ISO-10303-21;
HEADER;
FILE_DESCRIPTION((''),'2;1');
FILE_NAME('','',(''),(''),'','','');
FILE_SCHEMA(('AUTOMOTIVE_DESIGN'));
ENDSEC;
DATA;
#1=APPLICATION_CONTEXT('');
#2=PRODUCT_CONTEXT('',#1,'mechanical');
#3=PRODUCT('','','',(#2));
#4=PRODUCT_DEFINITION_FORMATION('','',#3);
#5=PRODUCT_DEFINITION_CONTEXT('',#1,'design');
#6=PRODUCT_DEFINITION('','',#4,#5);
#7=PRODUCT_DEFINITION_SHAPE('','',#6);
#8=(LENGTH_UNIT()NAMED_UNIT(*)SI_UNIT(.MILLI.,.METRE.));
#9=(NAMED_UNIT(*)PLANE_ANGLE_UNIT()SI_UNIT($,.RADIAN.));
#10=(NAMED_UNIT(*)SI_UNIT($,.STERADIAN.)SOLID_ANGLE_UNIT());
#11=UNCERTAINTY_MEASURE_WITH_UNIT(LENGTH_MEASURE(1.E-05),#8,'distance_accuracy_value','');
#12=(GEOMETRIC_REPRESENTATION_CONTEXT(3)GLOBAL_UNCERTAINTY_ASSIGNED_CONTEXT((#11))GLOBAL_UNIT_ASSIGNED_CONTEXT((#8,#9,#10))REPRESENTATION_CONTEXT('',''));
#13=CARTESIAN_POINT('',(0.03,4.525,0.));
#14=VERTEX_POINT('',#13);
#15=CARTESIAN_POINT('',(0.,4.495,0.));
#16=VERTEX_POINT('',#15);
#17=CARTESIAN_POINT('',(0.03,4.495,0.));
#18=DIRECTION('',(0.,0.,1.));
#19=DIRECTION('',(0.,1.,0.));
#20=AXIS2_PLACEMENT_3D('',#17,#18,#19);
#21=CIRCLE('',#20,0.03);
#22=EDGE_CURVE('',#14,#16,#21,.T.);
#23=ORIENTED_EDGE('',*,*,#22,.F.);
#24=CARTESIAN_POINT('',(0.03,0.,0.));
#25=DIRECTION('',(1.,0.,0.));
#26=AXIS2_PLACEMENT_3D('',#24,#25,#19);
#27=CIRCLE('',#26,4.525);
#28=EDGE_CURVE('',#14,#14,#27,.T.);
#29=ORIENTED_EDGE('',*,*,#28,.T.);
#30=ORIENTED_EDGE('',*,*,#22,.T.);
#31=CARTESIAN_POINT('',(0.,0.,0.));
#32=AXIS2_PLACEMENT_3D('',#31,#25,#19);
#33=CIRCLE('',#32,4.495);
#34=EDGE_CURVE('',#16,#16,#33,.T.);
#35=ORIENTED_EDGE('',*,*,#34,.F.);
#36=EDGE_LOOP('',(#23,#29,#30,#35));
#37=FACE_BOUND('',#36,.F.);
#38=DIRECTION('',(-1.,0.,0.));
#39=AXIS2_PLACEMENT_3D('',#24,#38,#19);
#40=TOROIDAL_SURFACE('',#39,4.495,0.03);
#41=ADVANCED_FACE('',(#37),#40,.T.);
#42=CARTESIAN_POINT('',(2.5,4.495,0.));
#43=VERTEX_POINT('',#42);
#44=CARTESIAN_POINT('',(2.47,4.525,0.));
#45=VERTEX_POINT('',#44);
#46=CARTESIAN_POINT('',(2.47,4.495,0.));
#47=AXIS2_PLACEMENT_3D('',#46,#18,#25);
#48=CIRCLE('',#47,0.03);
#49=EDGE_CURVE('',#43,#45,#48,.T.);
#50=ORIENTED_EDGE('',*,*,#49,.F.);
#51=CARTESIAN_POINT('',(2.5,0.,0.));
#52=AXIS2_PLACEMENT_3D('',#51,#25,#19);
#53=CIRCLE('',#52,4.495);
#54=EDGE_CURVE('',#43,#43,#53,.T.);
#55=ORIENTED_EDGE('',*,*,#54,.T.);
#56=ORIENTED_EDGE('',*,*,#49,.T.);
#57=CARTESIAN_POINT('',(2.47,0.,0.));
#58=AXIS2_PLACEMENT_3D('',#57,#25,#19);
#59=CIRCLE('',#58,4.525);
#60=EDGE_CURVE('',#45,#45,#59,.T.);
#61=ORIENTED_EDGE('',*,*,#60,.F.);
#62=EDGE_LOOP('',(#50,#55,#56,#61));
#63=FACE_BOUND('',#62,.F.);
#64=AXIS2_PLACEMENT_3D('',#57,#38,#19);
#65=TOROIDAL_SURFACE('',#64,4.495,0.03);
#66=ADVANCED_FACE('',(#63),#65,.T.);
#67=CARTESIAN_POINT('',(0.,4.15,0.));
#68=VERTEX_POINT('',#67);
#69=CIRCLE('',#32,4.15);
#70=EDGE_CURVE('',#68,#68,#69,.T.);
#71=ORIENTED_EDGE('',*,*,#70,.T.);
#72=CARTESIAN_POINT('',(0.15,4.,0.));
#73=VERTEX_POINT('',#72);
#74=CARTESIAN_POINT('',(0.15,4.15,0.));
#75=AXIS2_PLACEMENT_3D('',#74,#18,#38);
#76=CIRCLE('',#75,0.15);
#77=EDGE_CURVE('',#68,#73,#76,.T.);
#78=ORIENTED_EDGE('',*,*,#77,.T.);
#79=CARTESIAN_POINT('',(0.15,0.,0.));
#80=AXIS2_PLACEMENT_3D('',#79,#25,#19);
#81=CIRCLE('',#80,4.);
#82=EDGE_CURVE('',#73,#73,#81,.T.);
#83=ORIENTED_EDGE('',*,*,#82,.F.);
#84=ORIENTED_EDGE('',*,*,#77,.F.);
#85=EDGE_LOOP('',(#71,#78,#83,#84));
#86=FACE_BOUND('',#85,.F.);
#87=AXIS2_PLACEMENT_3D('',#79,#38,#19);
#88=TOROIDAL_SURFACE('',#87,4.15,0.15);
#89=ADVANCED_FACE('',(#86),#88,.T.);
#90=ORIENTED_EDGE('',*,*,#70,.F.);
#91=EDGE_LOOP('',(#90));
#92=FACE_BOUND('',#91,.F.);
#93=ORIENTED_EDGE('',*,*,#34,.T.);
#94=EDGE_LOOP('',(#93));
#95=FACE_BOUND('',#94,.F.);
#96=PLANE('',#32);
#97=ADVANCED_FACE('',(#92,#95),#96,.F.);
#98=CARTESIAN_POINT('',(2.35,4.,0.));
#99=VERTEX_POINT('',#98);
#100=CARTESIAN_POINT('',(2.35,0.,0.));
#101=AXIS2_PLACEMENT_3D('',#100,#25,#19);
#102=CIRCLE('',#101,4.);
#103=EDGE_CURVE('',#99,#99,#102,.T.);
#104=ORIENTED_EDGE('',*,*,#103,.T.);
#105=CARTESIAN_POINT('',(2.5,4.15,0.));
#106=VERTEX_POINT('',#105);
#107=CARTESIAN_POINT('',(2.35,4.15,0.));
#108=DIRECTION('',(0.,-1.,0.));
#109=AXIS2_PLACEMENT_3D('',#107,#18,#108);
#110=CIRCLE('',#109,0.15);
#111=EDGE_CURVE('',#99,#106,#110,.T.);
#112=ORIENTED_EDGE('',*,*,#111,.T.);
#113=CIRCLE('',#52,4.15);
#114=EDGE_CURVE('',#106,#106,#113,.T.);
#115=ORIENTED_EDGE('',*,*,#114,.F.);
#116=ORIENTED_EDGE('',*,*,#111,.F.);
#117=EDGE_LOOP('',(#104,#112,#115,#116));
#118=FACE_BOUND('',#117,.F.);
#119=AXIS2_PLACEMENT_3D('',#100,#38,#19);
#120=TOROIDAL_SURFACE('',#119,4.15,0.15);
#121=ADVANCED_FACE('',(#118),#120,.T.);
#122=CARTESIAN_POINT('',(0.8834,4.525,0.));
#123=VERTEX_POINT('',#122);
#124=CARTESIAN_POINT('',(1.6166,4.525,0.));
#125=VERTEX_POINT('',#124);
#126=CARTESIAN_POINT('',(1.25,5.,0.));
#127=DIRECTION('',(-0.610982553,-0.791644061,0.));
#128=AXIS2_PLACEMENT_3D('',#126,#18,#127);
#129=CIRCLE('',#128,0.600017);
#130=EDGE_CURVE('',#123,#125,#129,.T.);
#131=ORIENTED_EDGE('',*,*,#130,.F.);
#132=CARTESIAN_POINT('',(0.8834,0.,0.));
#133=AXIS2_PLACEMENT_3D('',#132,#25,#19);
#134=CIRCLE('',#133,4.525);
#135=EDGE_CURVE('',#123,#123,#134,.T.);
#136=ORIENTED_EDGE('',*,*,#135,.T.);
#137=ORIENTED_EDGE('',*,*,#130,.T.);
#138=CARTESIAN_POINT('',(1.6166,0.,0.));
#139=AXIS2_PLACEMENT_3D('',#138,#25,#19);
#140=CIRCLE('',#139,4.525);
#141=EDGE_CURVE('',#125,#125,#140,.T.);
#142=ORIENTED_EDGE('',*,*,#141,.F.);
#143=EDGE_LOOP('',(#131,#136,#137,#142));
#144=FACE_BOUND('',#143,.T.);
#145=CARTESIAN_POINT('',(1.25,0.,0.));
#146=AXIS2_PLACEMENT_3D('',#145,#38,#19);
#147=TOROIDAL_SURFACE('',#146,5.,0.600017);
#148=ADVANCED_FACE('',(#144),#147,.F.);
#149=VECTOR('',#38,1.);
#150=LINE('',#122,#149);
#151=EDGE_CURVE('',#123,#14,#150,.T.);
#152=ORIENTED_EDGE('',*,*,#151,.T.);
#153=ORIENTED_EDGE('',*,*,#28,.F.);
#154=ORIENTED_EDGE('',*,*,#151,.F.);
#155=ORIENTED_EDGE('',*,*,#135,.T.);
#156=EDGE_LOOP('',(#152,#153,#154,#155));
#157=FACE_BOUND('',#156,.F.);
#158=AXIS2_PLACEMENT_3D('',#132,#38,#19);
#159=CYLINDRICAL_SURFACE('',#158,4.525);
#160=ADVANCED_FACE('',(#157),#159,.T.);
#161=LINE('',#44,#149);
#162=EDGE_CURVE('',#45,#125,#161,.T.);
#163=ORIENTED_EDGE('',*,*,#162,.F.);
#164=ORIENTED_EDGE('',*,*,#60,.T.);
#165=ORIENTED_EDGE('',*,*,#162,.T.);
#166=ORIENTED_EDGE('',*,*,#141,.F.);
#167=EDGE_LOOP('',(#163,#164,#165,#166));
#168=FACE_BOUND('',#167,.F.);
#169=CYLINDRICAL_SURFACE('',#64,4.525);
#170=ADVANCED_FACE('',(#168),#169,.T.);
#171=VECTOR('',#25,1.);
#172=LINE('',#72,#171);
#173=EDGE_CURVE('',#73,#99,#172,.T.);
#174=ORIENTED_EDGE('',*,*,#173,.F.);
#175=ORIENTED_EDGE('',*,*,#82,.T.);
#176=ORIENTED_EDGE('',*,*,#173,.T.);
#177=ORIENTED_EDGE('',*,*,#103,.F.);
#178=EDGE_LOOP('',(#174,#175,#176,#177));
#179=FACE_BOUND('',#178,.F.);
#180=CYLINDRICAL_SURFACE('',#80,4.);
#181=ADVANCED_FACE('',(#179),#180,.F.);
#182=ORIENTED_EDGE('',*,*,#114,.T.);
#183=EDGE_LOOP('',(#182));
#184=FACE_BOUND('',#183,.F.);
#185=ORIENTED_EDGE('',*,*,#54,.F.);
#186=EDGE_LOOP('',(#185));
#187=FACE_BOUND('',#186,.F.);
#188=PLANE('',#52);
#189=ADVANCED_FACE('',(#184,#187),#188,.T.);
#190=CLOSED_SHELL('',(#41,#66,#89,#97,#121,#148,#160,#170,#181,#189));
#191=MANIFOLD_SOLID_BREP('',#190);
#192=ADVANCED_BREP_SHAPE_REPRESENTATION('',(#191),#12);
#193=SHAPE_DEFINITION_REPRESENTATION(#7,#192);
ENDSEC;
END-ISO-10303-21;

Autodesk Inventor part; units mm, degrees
ref_plane "YZ Plane" through (0, 0, 0) normal (1, 0, 0) x (0, 1, 0)
ref_plane "XZ Plane" through (0, 0, 0) normal (0, 1, 0) x (-1, 0, 0)
ref_plane "XY Plane" through (0, 0, 0) normal (0, 0, 1) x (1, 0, 0)
sketch "Sketch_10" plane through (0, 0, 0) normal (0, 0, 1) x (1, 0, 0)
  line L0 (50, 0) -> (-50, 0)
  line L1 (0, 4.495) -> (0, 4.15)
  arc A0 (0, 4.15) -> (0.15, 4) centre (0.15, 4.15) ccw
  line L2 (0.15, 4) -> (2.35, 4)
  arc A1 (2.35, 4) -> (2.5, 4.15) centre (2.35, 4.15) ccw
  line L3 (2.5, 4.15) -> (2.5, 4.495)
  arc A2 (2.5, 4.495) -> (2.47, 4.525) centre (2.47, 4.495) ccw
  line L4 (2.47, 4.525) -> (1.6166, 4.525)
  arc A3 (0.8834, 4.525) -> (1.6166, 4.525) centre (1.25, 5) ccw
  line L5 (0.8834, 4.525) -> (0.03, 4.525)
  arc A4 (0.03, 4.525) -> (0, 4.495) centre (0.03, 4.495) ccw
revolve "Revolution1" add sketch "Sketch_10" angle 360 about axis through (50, 0, 0) along (1, 0, 0)
properties part number "SKF_W 617/8_PART1"
